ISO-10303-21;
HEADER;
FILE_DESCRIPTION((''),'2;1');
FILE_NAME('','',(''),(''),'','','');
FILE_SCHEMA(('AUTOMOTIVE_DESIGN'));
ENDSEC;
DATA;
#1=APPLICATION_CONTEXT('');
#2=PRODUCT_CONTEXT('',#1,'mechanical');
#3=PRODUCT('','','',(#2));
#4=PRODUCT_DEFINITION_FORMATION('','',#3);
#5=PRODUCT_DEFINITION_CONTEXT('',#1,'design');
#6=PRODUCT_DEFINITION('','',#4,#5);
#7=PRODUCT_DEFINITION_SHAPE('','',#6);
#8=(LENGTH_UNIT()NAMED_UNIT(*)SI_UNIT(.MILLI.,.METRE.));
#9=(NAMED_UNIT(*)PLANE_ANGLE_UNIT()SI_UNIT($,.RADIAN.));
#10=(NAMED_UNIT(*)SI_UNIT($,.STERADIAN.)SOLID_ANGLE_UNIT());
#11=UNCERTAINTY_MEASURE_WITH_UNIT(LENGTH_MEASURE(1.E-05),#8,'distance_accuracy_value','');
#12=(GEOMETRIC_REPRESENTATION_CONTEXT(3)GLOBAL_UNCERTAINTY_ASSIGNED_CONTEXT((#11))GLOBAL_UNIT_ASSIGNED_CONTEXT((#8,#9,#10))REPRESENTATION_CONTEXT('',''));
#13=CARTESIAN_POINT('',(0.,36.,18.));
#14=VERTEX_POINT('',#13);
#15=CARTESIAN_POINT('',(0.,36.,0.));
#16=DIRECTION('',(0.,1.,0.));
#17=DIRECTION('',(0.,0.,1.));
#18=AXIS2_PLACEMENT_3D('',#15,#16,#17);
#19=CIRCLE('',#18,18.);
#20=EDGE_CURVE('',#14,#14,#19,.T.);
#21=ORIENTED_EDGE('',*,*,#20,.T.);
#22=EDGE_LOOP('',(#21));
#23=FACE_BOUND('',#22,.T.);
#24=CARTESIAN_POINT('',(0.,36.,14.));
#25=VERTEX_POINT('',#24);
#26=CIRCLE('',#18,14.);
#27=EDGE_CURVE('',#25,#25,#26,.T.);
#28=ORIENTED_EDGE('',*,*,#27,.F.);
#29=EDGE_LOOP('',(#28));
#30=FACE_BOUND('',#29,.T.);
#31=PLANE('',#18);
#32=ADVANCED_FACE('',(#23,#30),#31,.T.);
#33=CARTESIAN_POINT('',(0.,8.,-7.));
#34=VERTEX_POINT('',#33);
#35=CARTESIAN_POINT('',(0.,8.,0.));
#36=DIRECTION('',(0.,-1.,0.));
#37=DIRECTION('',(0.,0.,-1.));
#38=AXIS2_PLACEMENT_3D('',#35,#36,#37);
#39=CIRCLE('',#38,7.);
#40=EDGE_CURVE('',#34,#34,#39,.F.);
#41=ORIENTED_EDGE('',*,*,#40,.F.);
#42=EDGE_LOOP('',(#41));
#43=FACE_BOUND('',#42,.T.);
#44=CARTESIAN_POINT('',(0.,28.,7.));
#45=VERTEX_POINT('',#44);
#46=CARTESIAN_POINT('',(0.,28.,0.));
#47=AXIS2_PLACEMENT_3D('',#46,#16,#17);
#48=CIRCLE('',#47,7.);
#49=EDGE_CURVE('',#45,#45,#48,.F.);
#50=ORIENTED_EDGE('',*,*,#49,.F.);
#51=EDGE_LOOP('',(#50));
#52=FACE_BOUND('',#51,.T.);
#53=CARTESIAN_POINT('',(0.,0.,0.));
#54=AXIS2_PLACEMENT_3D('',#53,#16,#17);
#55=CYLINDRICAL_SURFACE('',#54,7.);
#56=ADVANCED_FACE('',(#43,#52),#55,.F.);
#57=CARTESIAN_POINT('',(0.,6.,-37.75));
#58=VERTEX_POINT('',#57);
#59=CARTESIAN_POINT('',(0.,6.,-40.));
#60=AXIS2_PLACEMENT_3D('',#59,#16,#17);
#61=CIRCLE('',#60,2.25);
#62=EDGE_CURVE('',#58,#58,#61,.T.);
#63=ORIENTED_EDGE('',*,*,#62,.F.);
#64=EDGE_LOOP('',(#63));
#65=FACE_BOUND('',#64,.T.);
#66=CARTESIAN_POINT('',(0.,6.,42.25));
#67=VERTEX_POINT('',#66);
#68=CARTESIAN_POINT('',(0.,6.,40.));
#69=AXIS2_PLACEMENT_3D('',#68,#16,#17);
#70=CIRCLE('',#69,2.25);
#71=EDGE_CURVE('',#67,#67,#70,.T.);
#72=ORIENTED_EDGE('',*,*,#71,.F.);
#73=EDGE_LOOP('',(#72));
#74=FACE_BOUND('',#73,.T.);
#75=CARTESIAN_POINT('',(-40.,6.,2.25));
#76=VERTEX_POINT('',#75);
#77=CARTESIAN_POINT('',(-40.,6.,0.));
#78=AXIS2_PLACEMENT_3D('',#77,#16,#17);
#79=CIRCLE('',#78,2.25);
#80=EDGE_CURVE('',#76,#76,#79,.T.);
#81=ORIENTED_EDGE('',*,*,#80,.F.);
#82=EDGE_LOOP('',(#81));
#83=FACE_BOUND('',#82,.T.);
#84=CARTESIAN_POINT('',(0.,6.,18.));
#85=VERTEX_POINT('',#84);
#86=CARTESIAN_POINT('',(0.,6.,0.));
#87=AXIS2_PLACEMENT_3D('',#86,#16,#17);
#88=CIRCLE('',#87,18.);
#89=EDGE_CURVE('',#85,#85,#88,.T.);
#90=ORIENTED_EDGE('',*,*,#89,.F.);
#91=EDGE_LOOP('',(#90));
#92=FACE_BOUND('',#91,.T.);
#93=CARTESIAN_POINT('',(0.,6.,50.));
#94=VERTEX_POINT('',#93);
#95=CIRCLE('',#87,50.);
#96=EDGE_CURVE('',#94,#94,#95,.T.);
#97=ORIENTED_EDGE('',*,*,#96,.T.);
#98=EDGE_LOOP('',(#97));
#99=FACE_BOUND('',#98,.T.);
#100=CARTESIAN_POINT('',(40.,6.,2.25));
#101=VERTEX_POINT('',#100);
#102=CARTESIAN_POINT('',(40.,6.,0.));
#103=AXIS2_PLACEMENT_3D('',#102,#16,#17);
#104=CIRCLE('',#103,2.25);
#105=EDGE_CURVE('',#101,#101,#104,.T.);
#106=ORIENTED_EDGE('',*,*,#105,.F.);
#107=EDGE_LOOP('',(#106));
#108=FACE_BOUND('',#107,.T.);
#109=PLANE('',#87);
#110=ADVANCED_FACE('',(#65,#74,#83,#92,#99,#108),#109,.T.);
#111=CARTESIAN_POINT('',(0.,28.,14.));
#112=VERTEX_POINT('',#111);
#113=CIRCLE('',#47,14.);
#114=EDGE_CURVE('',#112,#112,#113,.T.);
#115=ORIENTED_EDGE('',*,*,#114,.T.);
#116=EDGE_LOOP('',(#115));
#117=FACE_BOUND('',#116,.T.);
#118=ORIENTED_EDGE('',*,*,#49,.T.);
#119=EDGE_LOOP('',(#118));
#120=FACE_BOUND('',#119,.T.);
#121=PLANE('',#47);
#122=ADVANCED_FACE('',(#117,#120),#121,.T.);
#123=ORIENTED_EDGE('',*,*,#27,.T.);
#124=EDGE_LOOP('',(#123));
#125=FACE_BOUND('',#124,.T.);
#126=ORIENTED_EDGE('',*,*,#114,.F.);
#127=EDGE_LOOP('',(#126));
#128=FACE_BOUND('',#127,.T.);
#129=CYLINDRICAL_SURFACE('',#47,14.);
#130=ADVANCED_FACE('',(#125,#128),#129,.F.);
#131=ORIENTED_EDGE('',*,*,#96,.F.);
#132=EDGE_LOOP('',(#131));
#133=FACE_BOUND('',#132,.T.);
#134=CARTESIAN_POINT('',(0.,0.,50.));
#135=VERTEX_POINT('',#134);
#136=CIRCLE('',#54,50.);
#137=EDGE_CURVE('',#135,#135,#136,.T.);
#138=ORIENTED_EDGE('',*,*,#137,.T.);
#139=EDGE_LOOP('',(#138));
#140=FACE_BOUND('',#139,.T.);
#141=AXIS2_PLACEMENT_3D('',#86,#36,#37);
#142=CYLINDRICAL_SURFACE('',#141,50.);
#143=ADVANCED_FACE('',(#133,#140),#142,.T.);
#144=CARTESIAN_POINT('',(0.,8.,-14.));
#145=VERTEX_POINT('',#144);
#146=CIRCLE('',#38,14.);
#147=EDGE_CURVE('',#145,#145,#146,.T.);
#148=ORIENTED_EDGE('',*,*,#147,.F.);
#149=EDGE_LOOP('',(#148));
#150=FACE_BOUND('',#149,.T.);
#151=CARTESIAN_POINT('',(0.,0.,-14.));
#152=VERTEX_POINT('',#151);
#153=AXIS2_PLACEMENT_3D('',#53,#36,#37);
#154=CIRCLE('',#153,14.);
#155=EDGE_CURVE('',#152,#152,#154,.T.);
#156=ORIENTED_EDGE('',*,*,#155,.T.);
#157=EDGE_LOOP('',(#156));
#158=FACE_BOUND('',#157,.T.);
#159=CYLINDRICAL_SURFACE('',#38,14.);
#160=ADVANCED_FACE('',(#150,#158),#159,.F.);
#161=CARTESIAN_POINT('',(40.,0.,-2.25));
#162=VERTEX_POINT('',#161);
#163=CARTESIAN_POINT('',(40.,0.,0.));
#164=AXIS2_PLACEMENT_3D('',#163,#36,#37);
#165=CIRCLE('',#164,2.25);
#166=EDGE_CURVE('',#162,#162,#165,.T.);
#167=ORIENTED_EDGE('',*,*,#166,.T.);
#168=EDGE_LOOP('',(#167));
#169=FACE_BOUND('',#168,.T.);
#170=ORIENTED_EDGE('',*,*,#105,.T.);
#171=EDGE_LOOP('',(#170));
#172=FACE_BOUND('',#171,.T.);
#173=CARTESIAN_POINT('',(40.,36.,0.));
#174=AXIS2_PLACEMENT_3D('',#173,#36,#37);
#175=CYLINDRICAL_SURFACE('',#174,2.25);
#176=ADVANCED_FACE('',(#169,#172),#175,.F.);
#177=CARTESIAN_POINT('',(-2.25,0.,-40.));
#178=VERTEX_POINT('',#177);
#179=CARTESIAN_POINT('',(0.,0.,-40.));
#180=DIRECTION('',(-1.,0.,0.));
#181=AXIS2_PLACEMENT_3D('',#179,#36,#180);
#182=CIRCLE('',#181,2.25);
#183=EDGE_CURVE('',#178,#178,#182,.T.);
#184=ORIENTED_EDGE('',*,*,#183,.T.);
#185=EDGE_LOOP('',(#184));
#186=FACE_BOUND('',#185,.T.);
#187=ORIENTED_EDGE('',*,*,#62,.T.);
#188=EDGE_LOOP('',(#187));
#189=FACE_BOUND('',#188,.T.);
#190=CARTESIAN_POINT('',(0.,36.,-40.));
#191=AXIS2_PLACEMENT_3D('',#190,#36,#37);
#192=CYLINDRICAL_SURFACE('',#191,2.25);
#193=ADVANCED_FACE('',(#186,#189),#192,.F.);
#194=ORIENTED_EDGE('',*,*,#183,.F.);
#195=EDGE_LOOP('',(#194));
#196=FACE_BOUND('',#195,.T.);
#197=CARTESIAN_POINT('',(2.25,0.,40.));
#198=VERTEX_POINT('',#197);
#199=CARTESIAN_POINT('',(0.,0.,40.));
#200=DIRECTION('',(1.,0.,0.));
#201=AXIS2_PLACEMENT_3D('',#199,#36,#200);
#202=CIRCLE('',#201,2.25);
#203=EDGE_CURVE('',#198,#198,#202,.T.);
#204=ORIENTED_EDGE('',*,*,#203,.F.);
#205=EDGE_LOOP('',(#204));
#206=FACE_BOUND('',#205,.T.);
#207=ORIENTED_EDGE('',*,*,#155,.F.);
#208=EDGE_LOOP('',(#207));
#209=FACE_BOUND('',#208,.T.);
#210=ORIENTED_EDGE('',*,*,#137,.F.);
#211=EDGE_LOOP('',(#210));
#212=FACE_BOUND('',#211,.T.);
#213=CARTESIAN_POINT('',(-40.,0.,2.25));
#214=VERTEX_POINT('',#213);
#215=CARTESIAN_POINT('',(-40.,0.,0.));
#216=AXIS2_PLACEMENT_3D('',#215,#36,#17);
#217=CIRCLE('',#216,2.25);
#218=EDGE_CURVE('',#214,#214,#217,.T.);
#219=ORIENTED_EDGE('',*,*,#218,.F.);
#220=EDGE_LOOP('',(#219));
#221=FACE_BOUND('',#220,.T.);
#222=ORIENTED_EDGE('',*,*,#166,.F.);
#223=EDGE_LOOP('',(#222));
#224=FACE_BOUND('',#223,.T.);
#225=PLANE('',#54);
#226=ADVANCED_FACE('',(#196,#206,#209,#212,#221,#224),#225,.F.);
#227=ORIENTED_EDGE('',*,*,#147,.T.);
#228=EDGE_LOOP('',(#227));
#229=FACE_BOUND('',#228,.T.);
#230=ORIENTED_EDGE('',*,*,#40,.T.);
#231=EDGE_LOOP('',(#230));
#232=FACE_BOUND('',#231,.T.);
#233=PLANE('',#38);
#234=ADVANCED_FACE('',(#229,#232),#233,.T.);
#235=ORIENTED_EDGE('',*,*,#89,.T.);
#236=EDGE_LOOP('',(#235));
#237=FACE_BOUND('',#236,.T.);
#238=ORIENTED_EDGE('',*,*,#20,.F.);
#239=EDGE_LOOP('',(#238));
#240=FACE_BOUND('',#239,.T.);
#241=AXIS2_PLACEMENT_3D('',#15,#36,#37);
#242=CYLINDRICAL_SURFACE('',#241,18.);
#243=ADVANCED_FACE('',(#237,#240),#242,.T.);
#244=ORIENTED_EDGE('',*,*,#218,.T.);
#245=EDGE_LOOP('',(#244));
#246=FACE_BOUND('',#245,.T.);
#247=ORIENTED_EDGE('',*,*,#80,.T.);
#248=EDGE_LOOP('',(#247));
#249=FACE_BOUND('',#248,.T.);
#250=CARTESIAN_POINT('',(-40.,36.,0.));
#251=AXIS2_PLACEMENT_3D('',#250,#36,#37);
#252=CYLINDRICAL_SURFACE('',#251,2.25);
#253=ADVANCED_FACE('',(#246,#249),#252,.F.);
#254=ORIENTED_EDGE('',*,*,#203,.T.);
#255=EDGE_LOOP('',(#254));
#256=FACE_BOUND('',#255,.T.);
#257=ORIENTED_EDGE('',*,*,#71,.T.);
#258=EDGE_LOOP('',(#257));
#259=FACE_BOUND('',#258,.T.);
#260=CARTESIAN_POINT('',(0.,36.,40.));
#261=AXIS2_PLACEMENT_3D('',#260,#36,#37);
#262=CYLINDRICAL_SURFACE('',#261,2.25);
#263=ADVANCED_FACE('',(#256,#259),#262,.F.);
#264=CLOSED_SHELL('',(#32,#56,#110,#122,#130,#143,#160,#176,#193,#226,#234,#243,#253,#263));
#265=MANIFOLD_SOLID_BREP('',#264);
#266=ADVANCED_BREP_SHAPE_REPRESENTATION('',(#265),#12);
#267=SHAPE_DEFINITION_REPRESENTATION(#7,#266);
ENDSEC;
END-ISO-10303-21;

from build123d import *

# Parameters (mm, degrees)
SKETCH2_R           = 50
BOSS_EXTRUDE1_DEPTH = 6
SKETCH3_R           = 18
BOSS_EXTRUDE2_DEPTH = 30
SKETCH4_R           = 7
CUT_EXTRUDE1_DEPTH  = 80.3473377
SKETCH5_R           = 14
CUT_EXTRUDE2_DEPTH  = 8
CUT_EXTRUDE3_START  = -8
SKETCH6_R           = 14
CUT_EXTRUDE3_DEPTH  = 8
SKETCH7_R           = 2.25
CUT_EXTRUDE4_DEPTH  = 80.3473377
CIRPATTERN1_COUNT   = 4


with BuildPart() as part:
    # Sketch2 → Boss-Extrude1 (new body)
    with BuildSketch(Plane(origin=(0, 0, 0), x_dir=(1, 0, 0), z_dir=(0, 1, 0))):
        with Locations(Location((0, 0, 0), (0, 0, 270))):
            Circle(SKETCH2_R)
    extrude(amount=BOSS_EXTRUDE1_DEPTH)

    # Sketch3 → Boss-Extrude2 (add)
    with BuildSketch(Plane(origin=(0, 6, 0), x_dir=(1, 0, 0), z_dir=(0, 1, 0))):
        with Locations(Location((0, 0, 0), (0, 0, 270))):
            Circle(SKETCH3_R)
    extrude(amount=BOSS_EXTRUDE2_DEPTH)

    # Sketch4 → Cut-Extrude1 (cut, through all)
    with BuildSketch(Plane(origin=(0, 36, 0), x_dir=(1, 0, 0), z_dir=(0, 1, 0))):
        with Locations(Location((0, 0, 0), (0, 0, 270))):
            Circle(SKETCH4_R)
    extrude(amount=-CUT_EXTRUDE1_DEPTH, mode=Mode.SUBTRACT)

    # Sketch5 → Cut-Extrude2 (cut)
    with BuildSketch(Plane(origin=(0, 36, 0), x_dir=(1, 0, 0), z_dir=(0, 1, 0))):
        with Locations(Location((0, 0, 0), (0, 0, 270))):
            Circle(SKETCH5_R)
    extrude(amount=-CUT_EXTRUDE2_DEPTH, mode=Mode.SUBTRACT)

    # Sketch6 → Cut-Extrude3 (cut)
    with BuildSketch(Plane.XZ.offset(CUT_EXTRUDE3_START)):
        with Locations(Location((0, 0, 0), (0, 0, 90))):
            Circle(SKETCH6_R)
    extrude(amount=CUT_EXTRUDE3_DEPTH, mode=Mode.SUBTRACT)

    # Sketch7 → Cut-Extrude4 (cut, through all)
    with BuildSketch(Plane.XZ):
        with Locations(Location((40, 0, 0), (0, 0, 270))):
            Circle(SKETCH7_R)
    cut_extrude4 = extrude(amount=-CUT_EXTRUDE4_DEPTH, mode=Mode.SUBTRACT)

    # CirPattern1: Cut-Extrude4 ×4 about axis
    cirpattern1_axis = Axis((0, 0, 0), (0, 1, 0))
    for i in range(1, CIRPATTERN1_COUNT):
        add(cut_extrude4.rotate(cirpattern1_axis, i * 360 / CIRPATTERN1_COUNT), mode=Mode.SUBTRACT)


solid = part.part
